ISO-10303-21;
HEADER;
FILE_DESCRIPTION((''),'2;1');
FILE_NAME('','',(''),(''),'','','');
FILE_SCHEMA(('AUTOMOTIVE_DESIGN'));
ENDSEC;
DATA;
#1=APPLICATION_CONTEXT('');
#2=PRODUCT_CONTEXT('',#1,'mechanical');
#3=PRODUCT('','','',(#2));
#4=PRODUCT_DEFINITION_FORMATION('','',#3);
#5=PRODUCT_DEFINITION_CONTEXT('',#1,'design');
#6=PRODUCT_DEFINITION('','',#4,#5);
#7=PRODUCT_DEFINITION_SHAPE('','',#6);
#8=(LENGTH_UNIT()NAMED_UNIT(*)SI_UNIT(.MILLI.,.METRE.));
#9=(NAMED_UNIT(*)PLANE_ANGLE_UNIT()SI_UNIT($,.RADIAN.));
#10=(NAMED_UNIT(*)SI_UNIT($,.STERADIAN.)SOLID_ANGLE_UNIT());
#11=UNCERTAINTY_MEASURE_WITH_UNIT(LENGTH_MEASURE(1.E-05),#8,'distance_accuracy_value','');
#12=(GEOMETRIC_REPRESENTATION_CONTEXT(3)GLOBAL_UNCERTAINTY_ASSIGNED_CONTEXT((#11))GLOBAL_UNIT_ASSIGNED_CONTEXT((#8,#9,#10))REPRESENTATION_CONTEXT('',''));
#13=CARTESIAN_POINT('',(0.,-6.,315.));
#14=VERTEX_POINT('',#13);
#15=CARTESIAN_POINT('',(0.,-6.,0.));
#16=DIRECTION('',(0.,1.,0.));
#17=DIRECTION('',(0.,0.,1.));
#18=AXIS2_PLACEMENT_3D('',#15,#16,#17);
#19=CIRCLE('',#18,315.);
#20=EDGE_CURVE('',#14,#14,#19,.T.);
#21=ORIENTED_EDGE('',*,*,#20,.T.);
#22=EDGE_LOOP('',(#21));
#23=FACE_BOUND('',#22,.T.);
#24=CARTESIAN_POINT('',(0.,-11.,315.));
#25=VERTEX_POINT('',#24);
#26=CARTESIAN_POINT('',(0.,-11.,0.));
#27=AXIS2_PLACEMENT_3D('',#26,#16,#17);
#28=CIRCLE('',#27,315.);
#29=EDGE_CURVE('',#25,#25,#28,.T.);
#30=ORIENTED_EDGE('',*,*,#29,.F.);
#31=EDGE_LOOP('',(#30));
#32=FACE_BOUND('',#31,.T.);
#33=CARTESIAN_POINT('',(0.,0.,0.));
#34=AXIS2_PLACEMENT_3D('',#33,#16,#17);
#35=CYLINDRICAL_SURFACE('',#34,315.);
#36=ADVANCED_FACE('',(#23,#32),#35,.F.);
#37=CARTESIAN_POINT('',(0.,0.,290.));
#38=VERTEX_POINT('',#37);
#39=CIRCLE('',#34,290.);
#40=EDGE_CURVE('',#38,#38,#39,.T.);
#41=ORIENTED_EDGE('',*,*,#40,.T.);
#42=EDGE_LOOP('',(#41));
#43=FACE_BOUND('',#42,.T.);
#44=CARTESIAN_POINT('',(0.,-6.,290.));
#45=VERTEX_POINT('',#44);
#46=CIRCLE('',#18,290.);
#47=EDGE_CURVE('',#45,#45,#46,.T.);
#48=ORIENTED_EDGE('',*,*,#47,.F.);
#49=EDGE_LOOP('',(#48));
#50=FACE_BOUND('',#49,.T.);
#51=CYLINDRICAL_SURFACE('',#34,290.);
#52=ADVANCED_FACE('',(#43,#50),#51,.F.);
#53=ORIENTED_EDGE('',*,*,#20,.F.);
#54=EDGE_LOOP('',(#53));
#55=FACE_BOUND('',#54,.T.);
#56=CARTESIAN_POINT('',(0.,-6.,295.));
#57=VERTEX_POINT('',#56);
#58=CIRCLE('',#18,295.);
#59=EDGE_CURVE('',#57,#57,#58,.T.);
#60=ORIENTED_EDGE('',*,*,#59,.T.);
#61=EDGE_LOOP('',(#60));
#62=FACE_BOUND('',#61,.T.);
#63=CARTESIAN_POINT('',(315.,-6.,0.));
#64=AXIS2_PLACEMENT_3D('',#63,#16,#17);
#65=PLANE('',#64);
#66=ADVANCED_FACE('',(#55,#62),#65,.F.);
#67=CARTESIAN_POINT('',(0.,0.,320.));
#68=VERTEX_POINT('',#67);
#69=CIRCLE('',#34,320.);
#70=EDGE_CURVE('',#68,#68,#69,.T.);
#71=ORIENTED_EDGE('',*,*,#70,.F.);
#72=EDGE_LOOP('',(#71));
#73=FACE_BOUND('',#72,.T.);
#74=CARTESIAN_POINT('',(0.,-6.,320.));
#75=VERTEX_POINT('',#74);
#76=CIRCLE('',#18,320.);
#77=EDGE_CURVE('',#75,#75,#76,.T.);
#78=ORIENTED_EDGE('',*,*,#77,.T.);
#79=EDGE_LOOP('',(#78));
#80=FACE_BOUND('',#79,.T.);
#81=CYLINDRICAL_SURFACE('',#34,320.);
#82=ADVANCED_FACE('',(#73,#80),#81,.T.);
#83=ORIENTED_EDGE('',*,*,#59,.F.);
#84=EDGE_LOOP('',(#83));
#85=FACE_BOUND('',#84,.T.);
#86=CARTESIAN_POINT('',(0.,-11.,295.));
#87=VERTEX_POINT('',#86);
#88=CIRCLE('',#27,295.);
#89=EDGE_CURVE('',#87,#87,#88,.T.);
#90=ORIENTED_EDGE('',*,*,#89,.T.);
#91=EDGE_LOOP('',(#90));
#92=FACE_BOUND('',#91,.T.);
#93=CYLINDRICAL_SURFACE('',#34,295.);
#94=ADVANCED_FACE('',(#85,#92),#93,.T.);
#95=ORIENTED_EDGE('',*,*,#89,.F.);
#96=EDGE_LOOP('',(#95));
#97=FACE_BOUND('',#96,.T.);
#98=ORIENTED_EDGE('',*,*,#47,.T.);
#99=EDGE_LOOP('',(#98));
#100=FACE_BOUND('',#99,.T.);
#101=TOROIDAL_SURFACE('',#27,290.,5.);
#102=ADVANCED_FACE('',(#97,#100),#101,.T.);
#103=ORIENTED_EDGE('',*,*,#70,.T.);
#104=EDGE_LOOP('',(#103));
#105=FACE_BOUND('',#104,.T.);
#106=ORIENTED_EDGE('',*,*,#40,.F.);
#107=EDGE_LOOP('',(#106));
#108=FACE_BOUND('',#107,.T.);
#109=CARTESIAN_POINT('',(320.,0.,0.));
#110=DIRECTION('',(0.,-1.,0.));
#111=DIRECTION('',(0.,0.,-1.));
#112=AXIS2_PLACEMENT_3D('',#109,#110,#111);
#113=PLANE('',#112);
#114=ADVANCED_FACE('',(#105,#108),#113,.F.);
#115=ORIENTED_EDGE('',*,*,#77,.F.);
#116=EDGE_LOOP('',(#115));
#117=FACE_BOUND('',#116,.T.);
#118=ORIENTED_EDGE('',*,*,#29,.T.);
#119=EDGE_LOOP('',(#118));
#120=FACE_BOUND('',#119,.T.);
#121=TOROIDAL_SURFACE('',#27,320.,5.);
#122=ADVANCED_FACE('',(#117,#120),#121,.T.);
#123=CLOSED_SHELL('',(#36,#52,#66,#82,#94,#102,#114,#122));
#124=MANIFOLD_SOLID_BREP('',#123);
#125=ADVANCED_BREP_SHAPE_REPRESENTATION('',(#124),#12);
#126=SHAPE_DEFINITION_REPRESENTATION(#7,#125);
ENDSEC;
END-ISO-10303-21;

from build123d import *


with BuildPart() as part:
    # Sketch1 → Revolve1 (revolve)
    with BuildSketch(Plane.XY, mode=Mode.PRIVATE) as revolve1_sk:
        with BuildLine():
            Line((295, -11), (295, -6))
            Line((295, -6), (315, -6))
            Line((315, -6), (315, -11))
            ThreePointArc((315, -11), (323.535533906, -14.535533906), (320, -6))
            Line((320, -6), (320, 0))
            Line((320, 0), (290, 0))
            Line((290, 0), (290, -6))
            ThreePointArc((290, -6), (286.464466094, -14.535533906), (295, -11))
        make_face()
    revolve(revolve1_sk.sketch.rotate(Axis((0, 0, 0), (0, -1, 0)), 90), axis=Axis((0, 0, 0), (0, -1, 0)))


solid = part.part
